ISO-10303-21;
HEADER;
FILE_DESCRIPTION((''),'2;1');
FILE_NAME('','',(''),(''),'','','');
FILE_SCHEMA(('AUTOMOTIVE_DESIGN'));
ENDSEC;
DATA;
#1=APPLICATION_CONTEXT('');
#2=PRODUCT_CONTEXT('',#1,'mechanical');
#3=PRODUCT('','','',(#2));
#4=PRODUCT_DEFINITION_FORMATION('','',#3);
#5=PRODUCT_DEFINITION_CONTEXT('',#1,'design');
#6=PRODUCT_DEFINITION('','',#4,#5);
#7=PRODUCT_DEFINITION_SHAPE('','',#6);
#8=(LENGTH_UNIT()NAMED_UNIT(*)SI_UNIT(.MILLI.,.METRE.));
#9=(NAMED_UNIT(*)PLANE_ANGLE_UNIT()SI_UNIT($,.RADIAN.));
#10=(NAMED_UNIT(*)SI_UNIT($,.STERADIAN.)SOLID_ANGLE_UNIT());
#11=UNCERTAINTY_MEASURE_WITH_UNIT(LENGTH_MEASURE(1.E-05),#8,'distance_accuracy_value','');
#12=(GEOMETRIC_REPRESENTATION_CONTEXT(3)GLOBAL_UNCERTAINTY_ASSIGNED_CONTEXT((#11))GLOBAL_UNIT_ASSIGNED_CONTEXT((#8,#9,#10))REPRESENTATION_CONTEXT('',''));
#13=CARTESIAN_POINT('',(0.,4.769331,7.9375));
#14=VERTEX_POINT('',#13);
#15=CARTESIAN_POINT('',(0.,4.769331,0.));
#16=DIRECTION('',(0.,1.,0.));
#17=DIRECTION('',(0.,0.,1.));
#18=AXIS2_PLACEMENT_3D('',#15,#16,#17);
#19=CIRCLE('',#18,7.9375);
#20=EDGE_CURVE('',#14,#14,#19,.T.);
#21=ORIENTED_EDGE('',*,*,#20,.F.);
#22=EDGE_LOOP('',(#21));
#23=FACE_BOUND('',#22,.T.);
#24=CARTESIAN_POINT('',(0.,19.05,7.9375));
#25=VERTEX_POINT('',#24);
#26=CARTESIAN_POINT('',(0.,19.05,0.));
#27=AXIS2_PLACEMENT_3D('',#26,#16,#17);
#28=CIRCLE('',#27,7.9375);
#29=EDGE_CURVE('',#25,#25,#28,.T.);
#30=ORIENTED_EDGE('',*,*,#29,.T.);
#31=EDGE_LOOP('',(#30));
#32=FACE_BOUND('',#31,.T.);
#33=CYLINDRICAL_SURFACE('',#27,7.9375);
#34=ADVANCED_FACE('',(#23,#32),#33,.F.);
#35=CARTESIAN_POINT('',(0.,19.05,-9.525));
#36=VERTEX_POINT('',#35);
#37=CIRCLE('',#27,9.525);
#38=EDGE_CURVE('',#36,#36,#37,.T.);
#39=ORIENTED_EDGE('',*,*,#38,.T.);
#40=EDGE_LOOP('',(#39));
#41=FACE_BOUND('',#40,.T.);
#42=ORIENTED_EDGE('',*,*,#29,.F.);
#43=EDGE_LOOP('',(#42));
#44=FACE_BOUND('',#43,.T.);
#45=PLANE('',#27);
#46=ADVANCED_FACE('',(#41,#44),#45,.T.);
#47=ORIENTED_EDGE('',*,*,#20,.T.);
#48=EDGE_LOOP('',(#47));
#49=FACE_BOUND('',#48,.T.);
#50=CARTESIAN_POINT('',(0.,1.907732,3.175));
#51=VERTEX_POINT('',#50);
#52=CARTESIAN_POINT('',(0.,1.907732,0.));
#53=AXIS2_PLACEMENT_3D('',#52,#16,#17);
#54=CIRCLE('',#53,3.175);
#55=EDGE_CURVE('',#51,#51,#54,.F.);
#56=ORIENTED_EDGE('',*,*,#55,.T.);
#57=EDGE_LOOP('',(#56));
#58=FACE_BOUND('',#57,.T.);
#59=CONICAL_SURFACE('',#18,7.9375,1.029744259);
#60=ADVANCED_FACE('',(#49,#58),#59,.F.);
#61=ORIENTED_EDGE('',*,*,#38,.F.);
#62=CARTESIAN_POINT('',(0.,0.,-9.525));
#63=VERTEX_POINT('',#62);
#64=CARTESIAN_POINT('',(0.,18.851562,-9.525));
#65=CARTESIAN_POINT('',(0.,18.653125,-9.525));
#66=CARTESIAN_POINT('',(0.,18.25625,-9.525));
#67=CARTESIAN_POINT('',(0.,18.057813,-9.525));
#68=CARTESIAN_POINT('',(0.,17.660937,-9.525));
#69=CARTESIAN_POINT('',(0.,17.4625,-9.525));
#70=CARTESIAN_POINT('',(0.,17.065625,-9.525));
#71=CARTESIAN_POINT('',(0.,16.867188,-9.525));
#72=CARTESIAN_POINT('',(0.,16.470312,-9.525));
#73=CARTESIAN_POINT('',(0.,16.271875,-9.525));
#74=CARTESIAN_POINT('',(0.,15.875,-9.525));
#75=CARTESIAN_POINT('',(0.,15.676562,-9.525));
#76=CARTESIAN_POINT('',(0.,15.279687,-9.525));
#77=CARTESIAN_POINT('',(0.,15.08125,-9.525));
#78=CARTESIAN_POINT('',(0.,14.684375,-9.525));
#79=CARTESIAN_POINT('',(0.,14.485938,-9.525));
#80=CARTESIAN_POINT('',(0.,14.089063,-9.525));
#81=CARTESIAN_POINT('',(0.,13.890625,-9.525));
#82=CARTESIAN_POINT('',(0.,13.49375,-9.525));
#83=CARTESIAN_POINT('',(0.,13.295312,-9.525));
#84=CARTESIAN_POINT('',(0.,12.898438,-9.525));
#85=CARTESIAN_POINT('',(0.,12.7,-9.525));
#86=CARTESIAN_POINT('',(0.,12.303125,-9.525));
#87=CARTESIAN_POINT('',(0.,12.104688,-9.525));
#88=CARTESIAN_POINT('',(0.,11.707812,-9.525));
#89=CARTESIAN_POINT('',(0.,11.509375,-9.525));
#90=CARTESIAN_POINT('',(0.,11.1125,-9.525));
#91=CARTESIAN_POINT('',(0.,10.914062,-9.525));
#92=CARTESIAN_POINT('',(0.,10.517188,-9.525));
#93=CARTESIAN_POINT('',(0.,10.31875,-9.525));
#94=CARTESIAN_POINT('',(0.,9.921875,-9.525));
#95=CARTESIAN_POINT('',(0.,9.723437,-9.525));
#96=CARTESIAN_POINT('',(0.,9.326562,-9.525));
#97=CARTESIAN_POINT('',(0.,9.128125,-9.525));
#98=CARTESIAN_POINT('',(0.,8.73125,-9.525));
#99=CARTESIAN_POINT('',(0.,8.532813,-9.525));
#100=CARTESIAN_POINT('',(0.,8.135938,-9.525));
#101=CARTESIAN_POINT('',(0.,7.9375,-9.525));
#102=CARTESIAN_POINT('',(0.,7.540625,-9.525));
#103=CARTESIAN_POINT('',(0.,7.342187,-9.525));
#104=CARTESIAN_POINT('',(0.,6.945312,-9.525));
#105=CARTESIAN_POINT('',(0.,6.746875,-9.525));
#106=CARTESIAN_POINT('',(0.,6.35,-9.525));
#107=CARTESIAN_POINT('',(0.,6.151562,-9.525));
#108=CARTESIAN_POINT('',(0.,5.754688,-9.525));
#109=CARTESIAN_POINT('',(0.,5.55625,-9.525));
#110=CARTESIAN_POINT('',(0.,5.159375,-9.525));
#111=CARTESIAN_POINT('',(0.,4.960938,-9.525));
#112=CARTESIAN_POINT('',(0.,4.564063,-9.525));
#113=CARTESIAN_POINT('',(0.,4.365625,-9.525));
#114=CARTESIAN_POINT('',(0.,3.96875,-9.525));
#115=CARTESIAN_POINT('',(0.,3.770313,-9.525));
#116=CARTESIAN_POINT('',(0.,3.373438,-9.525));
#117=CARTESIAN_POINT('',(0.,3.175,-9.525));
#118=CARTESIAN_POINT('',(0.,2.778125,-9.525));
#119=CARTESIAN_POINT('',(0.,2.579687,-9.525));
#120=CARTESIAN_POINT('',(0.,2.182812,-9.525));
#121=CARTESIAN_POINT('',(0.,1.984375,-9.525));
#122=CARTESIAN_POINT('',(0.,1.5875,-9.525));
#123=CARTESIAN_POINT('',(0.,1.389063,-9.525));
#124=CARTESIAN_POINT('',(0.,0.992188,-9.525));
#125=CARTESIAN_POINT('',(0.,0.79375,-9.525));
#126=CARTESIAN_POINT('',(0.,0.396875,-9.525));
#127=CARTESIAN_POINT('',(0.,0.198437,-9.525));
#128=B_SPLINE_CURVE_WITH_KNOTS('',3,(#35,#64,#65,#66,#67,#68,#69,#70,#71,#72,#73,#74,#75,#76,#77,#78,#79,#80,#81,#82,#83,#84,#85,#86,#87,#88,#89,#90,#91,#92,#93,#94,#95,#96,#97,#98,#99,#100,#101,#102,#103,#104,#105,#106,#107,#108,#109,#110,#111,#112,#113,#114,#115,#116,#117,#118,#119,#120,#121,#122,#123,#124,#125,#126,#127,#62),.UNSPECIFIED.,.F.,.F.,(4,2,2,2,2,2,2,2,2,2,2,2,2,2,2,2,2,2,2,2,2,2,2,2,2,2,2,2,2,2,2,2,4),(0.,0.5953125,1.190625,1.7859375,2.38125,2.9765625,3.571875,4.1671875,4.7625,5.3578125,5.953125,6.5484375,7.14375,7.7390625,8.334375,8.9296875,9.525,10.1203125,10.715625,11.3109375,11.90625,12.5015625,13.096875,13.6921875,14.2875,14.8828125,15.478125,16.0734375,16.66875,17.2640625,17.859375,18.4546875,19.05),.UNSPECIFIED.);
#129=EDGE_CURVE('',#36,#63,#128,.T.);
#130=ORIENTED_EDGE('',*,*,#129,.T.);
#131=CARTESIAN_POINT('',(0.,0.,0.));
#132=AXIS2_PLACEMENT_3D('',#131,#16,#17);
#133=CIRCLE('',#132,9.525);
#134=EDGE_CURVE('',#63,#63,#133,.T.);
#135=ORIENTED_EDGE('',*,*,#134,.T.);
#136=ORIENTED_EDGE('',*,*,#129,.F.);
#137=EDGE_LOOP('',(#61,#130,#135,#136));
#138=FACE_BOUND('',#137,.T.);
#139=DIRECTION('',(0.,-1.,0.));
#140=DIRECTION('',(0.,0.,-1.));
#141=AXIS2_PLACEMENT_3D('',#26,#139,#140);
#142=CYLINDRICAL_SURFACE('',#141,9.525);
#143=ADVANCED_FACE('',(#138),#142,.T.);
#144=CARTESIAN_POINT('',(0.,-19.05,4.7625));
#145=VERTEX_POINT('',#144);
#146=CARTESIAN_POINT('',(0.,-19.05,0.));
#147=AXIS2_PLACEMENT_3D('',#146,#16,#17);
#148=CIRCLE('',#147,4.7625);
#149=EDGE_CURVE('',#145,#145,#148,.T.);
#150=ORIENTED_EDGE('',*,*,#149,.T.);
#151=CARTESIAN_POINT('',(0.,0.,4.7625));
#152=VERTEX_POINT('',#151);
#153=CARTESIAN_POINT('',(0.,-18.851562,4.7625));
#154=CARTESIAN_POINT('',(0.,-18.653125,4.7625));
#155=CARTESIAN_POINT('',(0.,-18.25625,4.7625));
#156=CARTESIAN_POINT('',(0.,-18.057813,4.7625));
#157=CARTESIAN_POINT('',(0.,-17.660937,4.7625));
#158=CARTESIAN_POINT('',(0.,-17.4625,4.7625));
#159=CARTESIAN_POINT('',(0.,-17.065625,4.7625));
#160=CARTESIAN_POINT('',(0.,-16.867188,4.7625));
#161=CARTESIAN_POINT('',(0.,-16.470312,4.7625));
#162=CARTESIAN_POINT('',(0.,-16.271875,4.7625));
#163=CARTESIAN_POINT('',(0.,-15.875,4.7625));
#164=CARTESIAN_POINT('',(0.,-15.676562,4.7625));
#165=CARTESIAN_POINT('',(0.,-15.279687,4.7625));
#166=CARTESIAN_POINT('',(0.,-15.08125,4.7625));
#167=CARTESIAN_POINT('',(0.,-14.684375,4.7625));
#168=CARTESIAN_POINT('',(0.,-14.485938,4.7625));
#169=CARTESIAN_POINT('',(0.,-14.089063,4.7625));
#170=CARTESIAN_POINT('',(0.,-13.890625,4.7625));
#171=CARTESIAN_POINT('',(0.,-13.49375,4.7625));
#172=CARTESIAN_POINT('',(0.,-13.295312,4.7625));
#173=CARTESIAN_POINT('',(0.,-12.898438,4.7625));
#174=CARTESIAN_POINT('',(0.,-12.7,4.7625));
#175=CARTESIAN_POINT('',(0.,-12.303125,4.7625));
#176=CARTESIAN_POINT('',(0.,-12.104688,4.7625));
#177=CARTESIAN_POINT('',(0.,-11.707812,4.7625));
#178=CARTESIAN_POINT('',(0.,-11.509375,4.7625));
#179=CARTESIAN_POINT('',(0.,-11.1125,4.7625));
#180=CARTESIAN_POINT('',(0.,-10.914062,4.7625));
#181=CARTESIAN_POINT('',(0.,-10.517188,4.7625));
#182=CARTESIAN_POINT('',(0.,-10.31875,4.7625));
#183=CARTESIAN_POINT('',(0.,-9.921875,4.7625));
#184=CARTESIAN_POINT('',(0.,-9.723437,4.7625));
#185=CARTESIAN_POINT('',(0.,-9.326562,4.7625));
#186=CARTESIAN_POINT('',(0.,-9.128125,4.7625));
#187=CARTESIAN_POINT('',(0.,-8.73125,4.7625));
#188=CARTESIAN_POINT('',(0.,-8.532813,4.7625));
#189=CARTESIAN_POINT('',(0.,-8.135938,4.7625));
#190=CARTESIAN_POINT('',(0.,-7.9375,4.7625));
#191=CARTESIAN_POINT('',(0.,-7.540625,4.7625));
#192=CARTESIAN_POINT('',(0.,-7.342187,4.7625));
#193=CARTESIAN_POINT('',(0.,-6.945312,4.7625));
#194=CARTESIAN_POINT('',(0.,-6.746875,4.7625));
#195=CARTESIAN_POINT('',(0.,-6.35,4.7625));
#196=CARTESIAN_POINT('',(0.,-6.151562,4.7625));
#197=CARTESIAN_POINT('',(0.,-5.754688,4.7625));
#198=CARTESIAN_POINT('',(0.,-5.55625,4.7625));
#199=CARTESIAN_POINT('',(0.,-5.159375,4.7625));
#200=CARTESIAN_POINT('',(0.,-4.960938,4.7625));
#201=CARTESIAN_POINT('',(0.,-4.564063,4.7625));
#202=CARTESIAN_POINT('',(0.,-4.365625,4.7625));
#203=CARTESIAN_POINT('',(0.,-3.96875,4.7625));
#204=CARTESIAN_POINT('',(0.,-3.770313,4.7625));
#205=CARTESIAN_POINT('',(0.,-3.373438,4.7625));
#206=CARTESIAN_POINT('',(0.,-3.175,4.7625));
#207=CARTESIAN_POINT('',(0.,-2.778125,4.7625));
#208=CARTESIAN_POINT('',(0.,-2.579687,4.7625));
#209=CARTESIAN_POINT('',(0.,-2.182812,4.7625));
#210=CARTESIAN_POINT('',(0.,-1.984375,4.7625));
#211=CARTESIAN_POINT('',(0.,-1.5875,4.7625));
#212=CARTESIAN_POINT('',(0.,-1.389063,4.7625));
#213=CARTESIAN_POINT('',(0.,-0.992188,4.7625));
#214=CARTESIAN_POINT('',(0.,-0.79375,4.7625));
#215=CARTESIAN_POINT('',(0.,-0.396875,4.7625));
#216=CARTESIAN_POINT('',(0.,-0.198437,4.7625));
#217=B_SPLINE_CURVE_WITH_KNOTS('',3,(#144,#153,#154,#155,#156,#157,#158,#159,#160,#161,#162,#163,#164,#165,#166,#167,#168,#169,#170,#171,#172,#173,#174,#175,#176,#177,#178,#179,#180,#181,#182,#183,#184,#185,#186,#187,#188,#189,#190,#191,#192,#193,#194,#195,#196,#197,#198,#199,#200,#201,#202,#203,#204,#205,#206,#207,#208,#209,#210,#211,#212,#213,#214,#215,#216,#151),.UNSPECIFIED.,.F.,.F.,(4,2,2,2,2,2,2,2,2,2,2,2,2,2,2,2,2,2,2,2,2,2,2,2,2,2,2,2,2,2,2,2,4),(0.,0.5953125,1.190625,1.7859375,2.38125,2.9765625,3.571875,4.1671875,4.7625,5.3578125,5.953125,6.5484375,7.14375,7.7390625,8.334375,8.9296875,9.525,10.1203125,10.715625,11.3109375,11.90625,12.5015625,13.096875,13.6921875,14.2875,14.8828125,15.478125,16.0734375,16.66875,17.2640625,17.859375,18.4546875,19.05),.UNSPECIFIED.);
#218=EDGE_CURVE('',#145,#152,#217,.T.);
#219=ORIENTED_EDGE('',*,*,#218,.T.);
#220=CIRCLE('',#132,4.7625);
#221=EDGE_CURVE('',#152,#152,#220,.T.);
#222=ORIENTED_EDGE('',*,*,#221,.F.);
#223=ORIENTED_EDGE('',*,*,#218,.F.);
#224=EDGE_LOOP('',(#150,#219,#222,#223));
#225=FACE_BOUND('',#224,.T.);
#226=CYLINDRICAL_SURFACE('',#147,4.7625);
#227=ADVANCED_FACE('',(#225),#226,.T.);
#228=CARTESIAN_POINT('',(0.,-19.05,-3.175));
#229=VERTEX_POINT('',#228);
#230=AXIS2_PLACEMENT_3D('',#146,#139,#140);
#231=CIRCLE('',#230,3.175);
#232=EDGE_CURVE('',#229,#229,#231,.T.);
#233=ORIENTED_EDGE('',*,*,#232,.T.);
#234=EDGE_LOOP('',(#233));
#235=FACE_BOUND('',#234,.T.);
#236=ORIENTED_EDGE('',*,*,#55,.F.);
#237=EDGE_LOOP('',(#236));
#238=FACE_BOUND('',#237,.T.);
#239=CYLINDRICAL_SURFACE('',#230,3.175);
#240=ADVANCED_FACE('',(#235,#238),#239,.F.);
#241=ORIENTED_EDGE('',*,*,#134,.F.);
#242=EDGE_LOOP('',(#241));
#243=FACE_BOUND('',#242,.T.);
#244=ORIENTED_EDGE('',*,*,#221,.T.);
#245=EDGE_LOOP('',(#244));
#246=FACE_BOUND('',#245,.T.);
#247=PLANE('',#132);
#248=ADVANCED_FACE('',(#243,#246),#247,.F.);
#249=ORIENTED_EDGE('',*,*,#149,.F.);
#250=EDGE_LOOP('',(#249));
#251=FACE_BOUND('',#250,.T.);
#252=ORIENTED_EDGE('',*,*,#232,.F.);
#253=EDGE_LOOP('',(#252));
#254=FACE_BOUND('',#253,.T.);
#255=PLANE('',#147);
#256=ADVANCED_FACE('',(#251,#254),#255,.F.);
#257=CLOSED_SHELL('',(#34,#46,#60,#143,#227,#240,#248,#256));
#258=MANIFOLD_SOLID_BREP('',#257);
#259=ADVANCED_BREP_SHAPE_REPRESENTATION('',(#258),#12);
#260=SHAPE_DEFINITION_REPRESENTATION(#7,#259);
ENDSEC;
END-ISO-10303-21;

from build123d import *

# Parameters (mm, degrees)
SKETCH2_R                        = 9.525
SKETCH2_R_2                      = 4.7625
BOSS_EXTRUDE1_DEPTH              = 19.05
SKETCH2_3_R                      = 4.7625
BOSS_EXTRUDE2_DEPTH              = 19.05
F_5_8_0_625_DIAMETER_HOLE1_D     = 15.875
F_5_8_0_625_DIAMETER_HOLE1_DEPTH = 14.280668836
F_5_8_0_625_DIAMETER_HOLE1_TIP   = 4.769331164
F_1_4_0_25_DIAMETER_HOLE1_D      = 6.35


with BuildPart() as part:
    # Sketch2 → Boss-Extrude1 (new body)
    # profile 1 of 2: a face of its own
    with BuildSketch(Plane(origin=(0, 0, 0), x_dir=(1, 0, 0), z_dir=(0, 1, 0))):
        with Locations(Location((0, 0, 0), (0, 0, 90))):
            Circle(SKETCH2_R)
        Circle(SKETCH2_R_2, mode=Mode.SUBTRACT)
    # profile 2 of 2: a face of its own
    with BuildSketch(Plane(origin=(0, 0, 0), x_dir=(1, 0, 0), z_dir=(0, 1, 0))):
        Circle(SKETCH2_R_2)
    extrude(amount=BOSS_EXTRUDE1_DEPTH)

    # Sketch2<3> → Boss-Extrude2 (add)
    with BuildSketch(Plane(origin=(0, 0, 0), x_dir=(1, 0, 0), z_dir=(0, 1, 0))):
        with Locations(Location((0, 0, 0), (0, 0, 270))):
            Circle(SKETCH2_3_R)
    extrude(amount=-BOSS_EXTRUDE2_DEPTH)

    # 5/8 (0.625) Diameter Hole1
    with Locations(Plane(origin=(0, 19.05, 0), x_dir=(1, 0, 0), z_dir=(0, 1, 0))):
        with Locations((0, 0)):
            Hole(F_5_8_0_625_DIAMETER_HOLE1_D / 2, depth=F_5_8_0_625_DIAMETER_HOLE1_DEPTH)
            with Locations((0, 0, -(F_5_8_0_625_DIAMETER_HOLE1_DEPTH + F_5_8_0_625_DIAMETER_HOLE1_TIP / 2))):  # 118° drill point
                Cone(0, F_5_8_0_625_DIAMETER_HOLE1_D / 2, F_5_8_0_625_DIAMETER_HOLE1_TIP, mode=Mode.SUBTRACT)

    # 1/4 (0.25) Diameter Hole1 (through all)
    with Locations(Plane(origin=(0, -19.05, 0), x_dir=(-1, 0, 0), z_dir=(0, -1, 0))):
        with Locations((0, 0)):
            Hole(F_1_4_0_25_DIAMETER_HOLE1_D / 2)


solid = part.part
